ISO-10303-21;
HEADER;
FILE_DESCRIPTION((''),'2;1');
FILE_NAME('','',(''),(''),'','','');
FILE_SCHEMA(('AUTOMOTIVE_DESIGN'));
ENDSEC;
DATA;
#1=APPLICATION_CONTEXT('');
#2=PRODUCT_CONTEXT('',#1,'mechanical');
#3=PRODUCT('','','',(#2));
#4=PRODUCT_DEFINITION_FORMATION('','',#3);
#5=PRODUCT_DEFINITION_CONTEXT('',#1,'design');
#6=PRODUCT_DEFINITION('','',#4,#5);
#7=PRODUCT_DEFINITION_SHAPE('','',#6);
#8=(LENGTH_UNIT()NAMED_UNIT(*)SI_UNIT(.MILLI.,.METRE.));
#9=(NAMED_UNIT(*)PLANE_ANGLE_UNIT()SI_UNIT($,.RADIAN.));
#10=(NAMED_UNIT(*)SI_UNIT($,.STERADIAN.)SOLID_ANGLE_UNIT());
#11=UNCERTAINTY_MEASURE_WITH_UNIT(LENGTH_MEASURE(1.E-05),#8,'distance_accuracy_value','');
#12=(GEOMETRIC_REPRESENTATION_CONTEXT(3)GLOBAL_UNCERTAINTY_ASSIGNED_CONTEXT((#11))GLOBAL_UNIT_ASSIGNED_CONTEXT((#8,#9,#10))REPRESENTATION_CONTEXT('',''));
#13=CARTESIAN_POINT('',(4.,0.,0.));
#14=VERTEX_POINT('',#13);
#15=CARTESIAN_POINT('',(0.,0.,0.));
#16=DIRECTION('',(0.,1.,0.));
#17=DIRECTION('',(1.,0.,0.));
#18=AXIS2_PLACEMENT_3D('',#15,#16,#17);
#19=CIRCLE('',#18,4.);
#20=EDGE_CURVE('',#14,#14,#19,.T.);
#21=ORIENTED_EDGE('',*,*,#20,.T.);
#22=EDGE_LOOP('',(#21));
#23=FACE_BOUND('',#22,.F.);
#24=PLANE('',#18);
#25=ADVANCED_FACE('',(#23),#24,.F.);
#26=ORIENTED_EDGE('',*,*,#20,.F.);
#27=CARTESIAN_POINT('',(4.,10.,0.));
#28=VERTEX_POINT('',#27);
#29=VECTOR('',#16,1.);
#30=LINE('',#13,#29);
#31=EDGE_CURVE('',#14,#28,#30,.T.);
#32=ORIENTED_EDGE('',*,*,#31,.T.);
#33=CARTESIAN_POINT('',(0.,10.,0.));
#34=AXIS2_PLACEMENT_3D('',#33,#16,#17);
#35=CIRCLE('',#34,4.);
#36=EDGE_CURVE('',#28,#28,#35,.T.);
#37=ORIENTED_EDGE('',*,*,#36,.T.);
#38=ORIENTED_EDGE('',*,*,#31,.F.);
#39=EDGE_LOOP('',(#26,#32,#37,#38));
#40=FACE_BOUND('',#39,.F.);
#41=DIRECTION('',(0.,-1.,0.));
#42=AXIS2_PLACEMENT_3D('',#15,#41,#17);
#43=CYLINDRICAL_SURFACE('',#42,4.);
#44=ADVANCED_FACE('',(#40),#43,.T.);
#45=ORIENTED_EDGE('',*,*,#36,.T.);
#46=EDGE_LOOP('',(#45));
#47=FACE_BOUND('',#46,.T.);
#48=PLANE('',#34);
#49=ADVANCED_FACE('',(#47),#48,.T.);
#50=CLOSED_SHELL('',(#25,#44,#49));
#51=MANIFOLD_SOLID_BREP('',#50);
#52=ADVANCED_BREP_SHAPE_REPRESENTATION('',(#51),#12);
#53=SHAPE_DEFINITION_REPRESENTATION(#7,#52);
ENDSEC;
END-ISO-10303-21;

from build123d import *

# Parameters (mm, degrees)
SKETCH1_R           = 4
BOSS_EXTRUDE1_DEPTH = 10


with BuildPart() as part:
    # Sketch1 → Boss-Extrude1 (new body)
    with BuildSketch(Plane(origin=(0, 0, 0), x_dir=(1, 0, 0), z_dir=(0, 1, 0))):
        Circle(SKETCH1_R)
    extrude(amount=BOSS_EXTRUDE1_DEPTH)


solid = part.part
